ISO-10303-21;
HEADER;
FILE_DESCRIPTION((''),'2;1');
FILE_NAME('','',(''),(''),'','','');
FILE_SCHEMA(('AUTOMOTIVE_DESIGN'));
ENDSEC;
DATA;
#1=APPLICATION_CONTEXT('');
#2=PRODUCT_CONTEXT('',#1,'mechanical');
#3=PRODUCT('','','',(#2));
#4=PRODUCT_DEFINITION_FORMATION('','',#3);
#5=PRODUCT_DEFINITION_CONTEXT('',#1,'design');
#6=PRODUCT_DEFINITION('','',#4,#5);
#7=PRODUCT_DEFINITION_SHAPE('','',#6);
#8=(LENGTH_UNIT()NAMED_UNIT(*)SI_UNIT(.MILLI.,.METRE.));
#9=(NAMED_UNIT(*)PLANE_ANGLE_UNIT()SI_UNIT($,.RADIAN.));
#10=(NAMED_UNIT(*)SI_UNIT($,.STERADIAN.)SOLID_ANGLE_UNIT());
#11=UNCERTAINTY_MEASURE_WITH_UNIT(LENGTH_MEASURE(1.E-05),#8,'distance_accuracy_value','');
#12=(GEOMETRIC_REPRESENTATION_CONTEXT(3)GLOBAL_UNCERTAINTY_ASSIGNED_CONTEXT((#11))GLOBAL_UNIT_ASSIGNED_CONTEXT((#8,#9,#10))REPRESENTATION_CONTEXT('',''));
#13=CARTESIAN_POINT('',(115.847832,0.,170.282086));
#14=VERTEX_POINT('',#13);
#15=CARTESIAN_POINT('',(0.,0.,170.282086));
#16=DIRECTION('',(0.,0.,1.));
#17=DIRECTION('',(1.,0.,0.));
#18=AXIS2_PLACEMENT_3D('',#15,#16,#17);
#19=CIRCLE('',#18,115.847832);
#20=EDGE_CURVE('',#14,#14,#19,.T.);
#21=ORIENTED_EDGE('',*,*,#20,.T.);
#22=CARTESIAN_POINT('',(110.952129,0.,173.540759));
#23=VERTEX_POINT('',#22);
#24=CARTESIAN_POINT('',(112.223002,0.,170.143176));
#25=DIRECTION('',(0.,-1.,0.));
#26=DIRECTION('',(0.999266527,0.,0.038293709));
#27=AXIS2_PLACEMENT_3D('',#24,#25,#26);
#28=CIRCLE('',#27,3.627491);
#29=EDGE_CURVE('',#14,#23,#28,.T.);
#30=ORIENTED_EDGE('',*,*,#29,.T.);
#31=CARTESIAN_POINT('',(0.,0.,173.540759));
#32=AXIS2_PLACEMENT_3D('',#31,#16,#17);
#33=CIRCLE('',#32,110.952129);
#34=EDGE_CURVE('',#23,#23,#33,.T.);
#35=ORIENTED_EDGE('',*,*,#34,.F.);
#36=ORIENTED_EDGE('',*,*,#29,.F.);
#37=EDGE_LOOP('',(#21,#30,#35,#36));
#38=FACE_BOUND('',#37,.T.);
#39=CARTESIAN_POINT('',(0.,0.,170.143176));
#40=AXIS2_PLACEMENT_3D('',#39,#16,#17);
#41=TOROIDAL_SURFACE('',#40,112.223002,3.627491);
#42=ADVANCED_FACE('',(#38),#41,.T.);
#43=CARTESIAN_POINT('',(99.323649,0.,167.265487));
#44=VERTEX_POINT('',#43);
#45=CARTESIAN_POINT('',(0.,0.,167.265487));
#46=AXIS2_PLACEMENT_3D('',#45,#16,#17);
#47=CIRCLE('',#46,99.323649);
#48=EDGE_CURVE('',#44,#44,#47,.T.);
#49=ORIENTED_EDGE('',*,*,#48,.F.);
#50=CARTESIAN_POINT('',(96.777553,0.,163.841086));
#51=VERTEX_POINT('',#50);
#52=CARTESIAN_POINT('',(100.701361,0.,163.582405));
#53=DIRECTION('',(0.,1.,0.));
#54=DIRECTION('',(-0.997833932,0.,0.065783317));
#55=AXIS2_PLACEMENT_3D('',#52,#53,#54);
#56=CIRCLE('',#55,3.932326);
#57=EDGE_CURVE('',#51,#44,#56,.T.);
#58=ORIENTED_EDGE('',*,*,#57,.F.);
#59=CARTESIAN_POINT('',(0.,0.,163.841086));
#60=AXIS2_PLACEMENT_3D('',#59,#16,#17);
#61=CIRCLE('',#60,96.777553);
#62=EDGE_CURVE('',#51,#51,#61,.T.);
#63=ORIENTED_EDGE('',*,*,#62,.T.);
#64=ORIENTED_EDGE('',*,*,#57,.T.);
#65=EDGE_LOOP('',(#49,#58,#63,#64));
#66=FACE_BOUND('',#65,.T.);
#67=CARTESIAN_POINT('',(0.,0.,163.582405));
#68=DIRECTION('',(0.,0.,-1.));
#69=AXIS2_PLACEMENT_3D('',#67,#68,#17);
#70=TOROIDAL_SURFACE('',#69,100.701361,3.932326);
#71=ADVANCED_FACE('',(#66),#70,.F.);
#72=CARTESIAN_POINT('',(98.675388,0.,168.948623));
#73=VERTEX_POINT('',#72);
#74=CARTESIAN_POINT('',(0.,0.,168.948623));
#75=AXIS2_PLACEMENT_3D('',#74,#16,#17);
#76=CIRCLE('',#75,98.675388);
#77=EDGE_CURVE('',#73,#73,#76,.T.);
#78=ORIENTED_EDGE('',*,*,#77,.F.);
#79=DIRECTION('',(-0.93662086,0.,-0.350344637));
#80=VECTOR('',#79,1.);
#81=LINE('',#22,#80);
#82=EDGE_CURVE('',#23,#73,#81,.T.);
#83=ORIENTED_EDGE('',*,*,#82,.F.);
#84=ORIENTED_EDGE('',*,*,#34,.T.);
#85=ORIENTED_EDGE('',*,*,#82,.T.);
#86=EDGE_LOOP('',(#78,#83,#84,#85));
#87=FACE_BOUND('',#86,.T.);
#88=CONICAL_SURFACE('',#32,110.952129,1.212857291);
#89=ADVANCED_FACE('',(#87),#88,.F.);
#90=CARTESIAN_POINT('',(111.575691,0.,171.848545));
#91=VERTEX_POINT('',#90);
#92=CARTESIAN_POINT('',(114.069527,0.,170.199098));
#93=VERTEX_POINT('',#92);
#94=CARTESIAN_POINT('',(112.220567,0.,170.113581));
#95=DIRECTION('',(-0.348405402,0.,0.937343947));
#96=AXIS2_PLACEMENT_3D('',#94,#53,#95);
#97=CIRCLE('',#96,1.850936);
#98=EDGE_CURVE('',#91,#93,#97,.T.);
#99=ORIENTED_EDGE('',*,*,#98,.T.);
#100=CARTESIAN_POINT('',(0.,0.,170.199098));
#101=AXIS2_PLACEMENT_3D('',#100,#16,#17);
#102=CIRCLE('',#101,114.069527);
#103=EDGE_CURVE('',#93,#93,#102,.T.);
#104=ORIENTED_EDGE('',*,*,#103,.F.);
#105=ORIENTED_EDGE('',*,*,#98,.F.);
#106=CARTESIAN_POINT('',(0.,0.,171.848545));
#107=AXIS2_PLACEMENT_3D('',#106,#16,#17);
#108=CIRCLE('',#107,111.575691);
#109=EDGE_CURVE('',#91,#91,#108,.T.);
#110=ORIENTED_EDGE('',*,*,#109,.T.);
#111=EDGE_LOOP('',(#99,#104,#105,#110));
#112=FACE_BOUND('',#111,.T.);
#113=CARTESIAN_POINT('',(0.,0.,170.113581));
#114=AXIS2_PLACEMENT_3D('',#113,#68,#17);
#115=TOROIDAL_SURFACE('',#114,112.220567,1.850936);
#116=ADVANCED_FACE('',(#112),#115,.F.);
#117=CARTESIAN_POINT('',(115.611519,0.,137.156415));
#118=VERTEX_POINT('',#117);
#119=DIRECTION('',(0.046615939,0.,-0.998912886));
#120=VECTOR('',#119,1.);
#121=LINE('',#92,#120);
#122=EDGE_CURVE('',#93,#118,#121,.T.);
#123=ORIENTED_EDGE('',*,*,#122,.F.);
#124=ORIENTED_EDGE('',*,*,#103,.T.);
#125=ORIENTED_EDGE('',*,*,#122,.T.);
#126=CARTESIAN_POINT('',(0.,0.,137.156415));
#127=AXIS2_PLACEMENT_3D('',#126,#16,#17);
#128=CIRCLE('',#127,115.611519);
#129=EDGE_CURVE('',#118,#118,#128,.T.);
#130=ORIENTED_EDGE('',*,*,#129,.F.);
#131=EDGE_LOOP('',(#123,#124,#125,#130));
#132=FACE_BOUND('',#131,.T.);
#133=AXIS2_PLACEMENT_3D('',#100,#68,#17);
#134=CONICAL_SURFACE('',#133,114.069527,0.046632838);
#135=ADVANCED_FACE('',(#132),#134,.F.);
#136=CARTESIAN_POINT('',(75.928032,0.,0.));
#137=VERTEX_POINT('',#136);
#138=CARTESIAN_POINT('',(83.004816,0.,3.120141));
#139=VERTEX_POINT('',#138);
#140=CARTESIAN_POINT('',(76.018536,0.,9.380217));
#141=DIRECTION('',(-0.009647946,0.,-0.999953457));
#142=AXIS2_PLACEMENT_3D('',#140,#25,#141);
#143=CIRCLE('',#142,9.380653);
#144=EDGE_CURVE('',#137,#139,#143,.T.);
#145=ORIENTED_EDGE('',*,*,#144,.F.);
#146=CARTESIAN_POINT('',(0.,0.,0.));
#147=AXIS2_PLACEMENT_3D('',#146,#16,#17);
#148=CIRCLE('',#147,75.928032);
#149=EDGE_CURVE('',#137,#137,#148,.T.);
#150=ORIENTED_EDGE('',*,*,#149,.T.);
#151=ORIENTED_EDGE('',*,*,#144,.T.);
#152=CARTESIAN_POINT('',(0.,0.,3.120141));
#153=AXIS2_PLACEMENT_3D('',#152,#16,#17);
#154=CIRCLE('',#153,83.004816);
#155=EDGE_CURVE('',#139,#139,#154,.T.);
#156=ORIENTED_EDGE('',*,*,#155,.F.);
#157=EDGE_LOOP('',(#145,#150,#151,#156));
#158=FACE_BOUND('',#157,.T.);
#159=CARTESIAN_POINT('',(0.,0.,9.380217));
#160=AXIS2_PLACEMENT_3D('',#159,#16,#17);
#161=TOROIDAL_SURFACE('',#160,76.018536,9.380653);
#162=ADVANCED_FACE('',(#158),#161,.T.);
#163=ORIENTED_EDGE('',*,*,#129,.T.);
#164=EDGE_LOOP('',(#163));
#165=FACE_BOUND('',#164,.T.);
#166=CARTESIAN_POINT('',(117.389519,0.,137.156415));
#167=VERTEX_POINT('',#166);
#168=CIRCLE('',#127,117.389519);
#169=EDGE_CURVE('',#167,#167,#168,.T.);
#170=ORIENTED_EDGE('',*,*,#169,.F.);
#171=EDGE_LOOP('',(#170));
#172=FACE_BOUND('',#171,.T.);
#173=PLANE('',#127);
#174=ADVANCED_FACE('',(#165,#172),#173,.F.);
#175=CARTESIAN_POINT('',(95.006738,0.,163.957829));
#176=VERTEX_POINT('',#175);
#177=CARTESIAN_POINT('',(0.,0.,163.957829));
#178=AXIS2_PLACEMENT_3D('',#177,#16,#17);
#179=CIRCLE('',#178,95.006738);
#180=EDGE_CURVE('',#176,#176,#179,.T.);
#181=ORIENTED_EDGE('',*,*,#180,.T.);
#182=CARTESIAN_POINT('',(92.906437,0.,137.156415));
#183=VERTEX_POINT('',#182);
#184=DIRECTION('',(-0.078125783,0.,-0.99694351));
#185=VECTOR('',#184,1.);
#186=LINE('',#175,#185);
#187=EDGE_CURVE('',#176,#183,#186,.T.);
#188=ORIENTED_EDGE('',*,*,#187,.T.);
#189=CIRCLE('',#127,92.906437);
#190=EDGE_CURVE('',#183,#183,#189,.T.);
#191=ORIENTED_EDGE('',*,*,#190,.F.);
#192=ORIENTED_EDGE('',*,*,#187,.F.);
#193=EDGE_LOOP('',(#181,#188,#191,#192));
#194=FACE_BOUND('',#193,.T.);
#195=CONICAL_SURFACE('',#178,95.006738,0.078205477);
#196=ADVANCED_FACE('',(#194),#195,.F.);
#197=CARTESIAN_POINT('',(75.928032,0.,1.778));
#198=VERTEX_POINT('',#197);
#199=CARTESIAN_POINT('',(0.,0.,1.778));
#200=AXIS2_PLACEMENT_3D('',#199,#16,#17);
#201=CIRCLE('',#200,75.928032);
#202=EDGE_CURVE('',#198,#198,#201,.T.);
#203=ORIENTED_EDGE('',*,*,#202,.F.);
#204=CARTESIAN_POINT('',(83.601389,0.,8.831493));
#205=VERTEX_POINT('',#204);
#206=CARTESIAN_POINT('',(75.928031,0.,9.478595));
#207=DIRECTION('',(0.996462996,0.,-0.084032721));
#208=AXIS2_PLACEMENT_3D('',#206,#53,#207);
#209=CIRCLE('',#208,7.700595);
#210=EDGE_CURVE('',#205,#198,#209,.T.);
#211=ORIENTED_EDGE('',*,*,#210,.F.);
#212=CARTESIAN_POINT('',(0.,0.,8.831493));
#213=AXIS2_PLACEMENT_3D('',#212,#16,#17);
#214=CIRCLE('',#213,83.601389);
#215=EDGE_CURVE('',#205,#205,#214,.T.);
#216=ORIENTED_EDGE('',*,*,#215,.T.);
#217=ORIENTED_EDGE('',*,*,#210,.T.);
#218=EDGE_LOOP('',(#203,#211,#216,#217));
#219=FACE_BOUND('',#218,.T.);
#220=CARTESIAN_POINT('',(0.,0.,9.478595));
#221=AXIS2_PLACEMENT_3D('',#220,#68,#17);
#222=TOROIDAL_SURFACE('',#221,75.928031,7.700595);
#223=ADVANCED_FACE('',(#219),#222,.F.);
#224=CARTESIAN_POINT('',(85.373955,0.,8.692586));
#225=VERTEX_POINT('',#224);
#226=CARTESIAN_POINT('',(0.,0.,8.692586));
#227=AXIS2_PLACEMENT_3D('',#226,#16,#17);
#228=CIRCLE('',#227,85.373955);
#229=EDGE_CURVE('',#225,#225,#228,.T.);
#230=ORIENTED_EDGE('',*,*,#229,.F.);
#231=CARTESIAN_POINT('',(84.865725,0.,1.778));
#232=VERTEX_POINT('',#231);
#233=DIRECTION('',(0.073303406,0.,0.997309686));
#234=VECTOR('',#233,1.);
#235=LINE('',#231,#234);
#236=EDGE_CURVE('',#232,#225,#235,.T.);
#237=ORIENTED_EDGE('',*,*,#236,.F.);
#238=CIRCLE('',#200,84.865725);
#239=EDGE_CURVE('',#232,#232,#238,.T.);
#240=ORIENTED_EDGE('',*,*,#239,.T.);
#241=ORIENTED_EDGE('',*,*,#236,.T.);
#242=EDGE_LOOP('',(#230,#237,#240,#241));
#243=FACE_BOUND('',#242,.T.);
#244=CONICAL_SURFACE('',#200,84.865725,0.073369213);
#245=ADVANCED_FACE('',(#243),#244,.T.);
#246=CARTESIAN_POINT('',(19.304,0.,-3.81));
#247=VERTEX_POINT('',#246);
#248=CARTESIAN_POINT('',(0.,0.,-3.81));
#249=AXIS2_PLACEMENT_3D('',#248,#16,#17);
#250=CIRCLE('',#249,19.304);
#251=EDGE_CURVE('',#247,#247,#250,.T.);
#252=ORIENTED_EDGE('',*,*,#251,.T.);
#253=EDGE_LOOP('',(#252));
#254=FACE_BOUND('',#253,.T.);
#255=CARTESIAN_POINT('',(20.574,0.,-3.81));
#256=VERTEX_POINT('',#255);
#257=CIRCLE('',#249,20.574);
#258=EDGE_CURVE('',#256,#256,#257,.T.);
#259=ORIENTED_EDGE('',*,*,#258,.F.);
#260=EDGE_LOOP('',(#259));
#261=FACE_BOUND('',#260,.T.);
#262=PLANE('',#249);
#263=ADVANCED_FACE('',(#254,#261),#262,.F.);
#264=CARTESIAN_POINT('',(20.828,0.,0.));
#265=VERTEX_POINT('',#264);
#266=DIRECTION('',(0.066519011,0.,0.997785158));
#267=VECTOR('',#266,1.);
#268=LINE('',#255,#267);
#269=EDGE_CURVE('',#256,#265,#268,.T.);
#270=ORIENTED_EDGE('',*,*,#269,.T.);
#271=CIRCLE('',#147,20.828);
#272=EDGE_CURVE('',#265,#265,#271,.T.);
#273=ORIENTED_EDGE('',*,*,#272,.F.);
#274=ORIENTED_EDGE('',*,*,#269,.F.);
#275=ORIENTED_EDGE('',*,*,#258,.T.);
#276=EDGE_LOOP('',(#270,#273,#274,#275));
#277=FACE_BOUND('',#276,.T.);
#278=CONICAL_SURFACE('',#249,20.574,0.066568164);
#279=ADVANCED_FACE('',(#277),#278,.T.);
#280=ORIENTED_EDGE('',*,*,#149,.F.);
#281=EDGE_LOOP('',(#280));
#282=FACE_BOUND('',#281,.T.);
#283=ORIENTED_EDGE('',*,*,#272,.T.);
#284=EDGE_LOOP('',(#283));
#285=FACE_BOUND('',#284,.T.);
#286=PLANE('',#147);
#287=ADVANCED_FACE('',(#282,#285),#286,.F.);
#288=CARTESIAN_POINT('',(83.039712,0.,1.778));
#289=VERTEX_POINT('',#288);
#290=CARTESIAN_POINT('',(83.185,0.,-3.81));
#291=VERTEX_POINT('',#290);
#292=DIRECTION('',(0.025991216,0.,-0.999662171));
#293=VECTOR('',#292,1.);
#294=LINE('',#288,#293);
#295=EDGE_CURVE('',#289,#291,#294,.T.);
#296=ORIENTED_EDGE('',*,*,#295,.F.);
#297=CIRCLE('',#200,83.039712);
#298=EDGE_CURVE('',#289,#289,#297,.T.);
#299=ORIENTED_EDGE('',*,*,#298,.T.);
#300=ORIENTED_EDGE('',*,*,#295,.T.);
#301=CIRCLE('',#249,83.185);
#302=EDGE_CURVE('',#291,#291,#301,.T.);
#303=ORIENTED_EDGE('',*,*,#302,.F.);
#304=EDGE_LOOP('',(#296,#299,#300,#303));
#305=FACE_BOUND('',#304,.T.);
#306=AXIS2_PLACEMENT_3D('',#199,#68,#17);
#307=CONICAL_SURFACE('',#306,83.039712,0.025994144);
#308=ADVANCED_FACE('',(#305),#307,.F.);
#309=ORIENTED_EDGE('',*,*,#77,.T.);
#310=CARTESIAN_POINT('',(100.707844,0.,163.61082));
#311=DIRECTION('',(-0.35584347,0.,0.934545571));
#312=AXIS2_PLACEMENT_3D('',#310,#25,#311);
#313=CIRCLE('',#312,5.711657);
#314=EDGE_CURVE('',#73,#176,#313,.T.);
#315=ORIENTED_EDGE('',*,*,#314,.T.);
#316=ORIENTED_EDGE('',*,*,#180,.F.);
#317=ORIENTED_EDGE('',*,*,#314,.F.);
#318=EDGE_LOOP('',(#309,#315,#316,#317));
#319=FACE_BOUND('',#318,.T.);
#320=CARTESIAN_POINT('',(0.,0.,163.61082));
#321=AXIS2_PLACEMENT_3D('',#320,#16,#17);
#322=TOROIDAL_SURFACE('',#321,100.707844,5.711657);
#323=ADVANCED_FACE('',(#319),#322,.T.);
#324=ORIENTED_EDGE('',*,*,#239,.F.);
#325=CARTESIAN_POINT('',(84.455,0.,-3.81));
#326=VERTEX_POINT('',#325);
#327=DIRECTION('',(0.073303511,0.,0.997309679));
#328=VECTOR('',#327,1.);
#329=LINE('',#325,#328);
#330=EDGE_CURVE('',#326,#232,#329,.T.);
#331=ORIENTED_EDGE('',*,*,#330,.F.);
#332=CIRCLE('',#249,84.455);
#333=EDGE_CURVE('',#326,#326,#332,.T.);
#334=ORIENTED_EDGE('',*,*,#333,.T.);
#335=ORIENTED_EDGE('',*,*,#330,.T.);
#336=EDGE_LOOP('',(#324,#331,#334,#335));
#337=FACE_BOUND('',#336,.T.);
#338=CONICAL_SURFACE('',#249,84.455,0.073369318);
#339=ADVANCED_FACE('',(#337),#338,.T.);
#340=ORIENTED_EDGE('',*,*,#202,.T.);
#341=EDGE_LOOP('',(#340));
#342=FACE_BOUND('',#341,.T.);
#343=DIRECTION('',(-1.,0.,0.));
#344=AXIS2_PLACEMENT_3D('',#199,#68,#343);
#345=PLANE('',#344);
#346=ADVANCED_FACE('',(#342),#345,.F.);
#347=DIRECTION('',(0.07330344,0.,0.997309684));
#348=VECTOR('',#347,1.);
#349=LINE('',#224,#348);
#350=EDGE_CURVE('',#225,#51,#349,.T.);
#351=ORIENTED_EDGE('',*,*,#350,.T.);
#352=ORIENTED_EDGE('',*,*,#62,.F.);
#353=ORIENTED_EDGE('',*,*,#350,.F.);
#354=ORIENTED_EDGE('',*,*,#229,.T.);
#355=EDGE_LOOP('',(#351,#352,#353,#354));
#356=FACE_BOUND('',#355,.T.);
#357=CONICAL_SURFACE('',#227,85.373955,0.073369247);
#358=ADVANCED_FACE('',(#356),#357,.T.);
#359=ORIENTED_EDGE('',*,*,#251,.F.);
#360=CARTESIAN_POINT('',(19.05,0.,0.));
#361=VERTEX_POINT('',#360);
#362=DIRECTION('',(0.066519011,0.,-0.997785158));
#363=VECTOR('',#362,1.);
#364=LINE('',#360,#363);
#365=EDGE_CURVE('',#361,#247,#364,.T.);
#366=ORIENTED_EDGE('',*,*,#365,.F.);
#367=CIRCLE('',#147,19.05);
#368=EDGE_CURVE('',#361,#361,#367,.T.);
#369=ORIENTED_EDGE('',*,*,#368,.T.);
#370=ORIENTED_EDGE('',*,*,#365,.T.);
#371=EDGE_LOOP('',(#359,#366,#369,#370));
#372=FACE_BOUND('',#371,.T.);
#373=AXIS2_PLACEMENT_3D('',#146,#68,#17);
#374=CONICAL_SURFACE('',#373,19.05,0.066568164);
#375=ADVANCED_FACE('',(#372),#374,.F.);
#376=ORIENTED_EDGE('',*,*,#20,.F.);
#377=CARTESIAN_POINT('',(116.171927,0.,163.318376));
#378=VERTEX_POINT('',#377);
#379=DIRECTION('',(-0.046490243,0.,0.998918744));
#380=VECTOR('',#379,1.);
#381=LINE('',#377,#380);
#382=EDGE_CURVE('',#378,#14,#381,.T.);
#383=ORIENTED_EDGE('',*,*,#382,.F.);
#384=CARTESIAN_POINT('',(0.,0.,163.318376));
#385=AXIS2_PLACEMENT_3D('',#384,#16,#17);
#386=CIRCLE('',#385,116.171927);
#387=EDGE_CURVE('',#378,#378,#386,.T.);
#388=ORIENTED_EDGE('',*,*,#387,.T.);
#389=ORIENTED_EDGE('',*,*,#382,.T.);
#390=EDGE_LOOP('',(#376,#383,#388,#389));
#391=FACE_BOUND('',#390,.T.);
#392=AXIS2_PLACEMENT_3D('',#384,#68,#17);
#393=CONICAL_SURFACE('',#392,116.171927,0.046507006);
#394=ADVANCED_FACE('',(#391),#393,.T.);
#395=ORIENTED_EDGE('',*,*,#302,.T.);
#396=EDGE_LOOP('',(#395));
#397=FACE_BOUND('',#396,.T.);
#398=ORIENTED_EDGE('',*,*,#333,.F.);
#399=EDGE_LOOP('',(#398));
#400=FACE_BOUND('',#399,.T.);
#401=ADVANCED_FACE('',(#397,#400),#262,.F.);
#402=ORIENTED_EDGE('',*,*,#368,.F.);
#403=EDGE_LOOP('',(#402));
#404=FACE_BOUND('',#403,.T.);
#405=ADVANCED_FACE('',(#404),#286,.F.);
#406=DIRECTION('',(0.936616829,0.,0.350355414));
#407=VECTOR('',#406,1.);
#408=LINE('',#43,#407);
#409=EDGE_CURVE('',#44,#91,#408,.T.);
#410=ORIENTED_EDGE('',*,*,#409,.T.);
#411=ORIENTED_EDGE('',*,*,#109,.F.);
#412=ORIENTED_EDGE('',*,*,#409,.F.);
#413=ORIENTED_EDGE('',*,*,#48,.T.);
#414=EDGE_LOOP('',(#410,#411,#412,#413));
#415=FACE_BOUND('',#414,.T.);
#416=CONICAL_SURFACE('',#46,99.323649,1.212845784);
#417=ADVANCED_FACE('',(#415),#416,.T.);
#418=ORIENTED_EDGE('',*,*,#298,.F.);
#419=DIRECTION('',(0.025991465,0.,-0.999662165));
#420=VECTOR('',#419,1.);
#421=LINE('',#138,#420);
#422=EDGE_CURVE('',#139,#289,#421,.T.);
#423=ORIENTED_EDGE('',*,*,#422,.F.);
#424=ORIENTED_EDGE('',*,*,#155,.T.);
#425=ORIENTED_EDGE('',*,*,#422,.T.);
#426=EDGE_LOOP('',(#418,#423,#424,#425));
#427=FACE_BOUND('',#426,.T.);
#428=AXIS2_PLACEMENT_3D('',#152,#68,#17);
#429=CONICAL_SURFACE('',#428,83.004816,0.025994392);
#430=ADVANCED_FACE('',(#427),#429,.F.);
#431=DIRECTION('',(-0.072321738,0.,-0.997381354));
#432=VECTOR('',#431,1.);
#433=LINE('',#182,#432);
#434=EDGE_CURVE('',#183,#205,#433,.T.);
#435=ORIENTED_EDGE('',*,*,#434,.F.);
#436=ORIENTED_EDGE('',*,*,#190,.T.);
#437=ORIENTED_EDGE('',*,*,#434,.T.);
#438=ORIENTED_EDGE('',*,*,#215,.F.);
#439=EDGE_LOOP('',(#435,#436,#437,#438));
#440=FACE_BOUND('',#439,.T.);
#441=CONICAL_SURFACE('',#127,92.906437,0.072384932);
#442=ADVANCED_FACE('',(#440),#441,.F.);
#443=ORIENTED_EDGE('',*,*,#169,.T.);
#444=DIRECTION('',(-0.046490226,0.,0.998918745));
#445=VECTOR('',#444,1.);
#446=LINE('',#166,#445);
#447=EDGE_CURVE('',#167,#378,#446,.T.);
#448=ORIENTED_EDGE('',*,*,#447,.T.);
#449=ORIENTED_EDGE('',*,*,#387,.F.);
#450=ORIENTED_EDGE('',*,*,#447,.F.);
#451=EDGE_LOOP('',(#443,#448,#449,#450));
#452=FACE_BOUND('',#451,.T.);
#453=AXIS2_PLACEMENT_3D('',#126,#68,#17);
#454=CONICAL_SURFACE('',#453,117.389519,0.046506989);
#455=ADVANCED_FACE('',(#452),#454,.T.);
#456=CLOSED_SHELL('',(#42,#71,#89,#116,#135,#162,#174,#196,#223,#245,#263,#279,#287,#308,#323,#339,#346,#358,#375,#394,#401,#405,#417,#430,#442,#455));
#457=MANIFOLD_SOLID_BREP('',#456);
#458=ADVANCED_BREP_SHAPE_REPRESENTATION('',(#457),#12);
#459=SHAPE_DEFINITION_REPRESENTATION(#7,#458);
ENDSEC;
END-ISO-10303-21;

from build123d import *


with BuildPart() as f1:
    # F0 (on Front) → F1 (revolve)
    with BuildSketch(Plane.XZ):
        with BuildLine():
            Line((19.304, -3.81), (20.574, -3.81))
            Line((20.574, -3.81), (20.828, 0))
            Line((20.828, 0), (60.236531, 0))
            Line((60.236531, 0), (75.928032, 0))
            ThreePointArc((75.928032, 0), (79.802945, 0.796808), (83.004816, 3.120141))
            Line((83.004816, 3.120141), (83.039712, 1.778))
            Line((83.039712, 1.778), (83.185, -3.81))
            Line((83.185, -3.81), (84.455, -3.81))
            Line((84.455, -3.81), (84.865725, 1.778))
            Line((84.865725, 1.778), (85.373955, 8.692586))
            Line((85.373955, 8.692586), (96.777553, 163.841086))
            ThreePointArc((96.777553, 163.841086), (97.545706, 165.928684), (99.323649, 167.265487))
            Line((99.323649, 167.265487), (111.575691, 171.848545))
            ThreePointArc((111.575691, 171.848545), (113.241656, 171.657389), (114.069527, 170.199098))
            Line((114.069527, 170.199098), (115.611519, 137.156415))
            Line((115.611519, 137.156415), (117.389519, 137.156415))
            Line((117.389519, 137.156415), (116.171927, 163.318376))
            Line((116.171927, 163.318376), (115.847832, 170.282086))
            ThreePointArc((115.847832, 170.282086), (114.232981, 173.16289), (110.952129, 173.540759))
            Line((110.952129, 173.540759), (98.675388, 168.948623))
            ThreePointArc((98.675388, 168.948623), (96.105779, 166.993721), (95.006738, 163.957829))
            Line((95.006738, 163.957829), (92.906437, 137.156415))
            Line((92.906437, 137.156415), (83.601389, 8.831493))
            ThreePointArc((83.601389, 8.831493), (81.13937, 3.809282), (75.928032, 1.778))
            Line((75.928032, 1.778), (60.195246, 1.778))
            Line((60.195246, 1.778), (0, 1.778))
            Line((0, 1.778), (0, 0))
            Line((0, 0), (19.05, 0))
            Line((19.05, 0), (19.304, -3.81))
        make_face()
    revolve(axis=Axis((0, 0, 81.915), (0, 0, 1)))


solid = f1.part
